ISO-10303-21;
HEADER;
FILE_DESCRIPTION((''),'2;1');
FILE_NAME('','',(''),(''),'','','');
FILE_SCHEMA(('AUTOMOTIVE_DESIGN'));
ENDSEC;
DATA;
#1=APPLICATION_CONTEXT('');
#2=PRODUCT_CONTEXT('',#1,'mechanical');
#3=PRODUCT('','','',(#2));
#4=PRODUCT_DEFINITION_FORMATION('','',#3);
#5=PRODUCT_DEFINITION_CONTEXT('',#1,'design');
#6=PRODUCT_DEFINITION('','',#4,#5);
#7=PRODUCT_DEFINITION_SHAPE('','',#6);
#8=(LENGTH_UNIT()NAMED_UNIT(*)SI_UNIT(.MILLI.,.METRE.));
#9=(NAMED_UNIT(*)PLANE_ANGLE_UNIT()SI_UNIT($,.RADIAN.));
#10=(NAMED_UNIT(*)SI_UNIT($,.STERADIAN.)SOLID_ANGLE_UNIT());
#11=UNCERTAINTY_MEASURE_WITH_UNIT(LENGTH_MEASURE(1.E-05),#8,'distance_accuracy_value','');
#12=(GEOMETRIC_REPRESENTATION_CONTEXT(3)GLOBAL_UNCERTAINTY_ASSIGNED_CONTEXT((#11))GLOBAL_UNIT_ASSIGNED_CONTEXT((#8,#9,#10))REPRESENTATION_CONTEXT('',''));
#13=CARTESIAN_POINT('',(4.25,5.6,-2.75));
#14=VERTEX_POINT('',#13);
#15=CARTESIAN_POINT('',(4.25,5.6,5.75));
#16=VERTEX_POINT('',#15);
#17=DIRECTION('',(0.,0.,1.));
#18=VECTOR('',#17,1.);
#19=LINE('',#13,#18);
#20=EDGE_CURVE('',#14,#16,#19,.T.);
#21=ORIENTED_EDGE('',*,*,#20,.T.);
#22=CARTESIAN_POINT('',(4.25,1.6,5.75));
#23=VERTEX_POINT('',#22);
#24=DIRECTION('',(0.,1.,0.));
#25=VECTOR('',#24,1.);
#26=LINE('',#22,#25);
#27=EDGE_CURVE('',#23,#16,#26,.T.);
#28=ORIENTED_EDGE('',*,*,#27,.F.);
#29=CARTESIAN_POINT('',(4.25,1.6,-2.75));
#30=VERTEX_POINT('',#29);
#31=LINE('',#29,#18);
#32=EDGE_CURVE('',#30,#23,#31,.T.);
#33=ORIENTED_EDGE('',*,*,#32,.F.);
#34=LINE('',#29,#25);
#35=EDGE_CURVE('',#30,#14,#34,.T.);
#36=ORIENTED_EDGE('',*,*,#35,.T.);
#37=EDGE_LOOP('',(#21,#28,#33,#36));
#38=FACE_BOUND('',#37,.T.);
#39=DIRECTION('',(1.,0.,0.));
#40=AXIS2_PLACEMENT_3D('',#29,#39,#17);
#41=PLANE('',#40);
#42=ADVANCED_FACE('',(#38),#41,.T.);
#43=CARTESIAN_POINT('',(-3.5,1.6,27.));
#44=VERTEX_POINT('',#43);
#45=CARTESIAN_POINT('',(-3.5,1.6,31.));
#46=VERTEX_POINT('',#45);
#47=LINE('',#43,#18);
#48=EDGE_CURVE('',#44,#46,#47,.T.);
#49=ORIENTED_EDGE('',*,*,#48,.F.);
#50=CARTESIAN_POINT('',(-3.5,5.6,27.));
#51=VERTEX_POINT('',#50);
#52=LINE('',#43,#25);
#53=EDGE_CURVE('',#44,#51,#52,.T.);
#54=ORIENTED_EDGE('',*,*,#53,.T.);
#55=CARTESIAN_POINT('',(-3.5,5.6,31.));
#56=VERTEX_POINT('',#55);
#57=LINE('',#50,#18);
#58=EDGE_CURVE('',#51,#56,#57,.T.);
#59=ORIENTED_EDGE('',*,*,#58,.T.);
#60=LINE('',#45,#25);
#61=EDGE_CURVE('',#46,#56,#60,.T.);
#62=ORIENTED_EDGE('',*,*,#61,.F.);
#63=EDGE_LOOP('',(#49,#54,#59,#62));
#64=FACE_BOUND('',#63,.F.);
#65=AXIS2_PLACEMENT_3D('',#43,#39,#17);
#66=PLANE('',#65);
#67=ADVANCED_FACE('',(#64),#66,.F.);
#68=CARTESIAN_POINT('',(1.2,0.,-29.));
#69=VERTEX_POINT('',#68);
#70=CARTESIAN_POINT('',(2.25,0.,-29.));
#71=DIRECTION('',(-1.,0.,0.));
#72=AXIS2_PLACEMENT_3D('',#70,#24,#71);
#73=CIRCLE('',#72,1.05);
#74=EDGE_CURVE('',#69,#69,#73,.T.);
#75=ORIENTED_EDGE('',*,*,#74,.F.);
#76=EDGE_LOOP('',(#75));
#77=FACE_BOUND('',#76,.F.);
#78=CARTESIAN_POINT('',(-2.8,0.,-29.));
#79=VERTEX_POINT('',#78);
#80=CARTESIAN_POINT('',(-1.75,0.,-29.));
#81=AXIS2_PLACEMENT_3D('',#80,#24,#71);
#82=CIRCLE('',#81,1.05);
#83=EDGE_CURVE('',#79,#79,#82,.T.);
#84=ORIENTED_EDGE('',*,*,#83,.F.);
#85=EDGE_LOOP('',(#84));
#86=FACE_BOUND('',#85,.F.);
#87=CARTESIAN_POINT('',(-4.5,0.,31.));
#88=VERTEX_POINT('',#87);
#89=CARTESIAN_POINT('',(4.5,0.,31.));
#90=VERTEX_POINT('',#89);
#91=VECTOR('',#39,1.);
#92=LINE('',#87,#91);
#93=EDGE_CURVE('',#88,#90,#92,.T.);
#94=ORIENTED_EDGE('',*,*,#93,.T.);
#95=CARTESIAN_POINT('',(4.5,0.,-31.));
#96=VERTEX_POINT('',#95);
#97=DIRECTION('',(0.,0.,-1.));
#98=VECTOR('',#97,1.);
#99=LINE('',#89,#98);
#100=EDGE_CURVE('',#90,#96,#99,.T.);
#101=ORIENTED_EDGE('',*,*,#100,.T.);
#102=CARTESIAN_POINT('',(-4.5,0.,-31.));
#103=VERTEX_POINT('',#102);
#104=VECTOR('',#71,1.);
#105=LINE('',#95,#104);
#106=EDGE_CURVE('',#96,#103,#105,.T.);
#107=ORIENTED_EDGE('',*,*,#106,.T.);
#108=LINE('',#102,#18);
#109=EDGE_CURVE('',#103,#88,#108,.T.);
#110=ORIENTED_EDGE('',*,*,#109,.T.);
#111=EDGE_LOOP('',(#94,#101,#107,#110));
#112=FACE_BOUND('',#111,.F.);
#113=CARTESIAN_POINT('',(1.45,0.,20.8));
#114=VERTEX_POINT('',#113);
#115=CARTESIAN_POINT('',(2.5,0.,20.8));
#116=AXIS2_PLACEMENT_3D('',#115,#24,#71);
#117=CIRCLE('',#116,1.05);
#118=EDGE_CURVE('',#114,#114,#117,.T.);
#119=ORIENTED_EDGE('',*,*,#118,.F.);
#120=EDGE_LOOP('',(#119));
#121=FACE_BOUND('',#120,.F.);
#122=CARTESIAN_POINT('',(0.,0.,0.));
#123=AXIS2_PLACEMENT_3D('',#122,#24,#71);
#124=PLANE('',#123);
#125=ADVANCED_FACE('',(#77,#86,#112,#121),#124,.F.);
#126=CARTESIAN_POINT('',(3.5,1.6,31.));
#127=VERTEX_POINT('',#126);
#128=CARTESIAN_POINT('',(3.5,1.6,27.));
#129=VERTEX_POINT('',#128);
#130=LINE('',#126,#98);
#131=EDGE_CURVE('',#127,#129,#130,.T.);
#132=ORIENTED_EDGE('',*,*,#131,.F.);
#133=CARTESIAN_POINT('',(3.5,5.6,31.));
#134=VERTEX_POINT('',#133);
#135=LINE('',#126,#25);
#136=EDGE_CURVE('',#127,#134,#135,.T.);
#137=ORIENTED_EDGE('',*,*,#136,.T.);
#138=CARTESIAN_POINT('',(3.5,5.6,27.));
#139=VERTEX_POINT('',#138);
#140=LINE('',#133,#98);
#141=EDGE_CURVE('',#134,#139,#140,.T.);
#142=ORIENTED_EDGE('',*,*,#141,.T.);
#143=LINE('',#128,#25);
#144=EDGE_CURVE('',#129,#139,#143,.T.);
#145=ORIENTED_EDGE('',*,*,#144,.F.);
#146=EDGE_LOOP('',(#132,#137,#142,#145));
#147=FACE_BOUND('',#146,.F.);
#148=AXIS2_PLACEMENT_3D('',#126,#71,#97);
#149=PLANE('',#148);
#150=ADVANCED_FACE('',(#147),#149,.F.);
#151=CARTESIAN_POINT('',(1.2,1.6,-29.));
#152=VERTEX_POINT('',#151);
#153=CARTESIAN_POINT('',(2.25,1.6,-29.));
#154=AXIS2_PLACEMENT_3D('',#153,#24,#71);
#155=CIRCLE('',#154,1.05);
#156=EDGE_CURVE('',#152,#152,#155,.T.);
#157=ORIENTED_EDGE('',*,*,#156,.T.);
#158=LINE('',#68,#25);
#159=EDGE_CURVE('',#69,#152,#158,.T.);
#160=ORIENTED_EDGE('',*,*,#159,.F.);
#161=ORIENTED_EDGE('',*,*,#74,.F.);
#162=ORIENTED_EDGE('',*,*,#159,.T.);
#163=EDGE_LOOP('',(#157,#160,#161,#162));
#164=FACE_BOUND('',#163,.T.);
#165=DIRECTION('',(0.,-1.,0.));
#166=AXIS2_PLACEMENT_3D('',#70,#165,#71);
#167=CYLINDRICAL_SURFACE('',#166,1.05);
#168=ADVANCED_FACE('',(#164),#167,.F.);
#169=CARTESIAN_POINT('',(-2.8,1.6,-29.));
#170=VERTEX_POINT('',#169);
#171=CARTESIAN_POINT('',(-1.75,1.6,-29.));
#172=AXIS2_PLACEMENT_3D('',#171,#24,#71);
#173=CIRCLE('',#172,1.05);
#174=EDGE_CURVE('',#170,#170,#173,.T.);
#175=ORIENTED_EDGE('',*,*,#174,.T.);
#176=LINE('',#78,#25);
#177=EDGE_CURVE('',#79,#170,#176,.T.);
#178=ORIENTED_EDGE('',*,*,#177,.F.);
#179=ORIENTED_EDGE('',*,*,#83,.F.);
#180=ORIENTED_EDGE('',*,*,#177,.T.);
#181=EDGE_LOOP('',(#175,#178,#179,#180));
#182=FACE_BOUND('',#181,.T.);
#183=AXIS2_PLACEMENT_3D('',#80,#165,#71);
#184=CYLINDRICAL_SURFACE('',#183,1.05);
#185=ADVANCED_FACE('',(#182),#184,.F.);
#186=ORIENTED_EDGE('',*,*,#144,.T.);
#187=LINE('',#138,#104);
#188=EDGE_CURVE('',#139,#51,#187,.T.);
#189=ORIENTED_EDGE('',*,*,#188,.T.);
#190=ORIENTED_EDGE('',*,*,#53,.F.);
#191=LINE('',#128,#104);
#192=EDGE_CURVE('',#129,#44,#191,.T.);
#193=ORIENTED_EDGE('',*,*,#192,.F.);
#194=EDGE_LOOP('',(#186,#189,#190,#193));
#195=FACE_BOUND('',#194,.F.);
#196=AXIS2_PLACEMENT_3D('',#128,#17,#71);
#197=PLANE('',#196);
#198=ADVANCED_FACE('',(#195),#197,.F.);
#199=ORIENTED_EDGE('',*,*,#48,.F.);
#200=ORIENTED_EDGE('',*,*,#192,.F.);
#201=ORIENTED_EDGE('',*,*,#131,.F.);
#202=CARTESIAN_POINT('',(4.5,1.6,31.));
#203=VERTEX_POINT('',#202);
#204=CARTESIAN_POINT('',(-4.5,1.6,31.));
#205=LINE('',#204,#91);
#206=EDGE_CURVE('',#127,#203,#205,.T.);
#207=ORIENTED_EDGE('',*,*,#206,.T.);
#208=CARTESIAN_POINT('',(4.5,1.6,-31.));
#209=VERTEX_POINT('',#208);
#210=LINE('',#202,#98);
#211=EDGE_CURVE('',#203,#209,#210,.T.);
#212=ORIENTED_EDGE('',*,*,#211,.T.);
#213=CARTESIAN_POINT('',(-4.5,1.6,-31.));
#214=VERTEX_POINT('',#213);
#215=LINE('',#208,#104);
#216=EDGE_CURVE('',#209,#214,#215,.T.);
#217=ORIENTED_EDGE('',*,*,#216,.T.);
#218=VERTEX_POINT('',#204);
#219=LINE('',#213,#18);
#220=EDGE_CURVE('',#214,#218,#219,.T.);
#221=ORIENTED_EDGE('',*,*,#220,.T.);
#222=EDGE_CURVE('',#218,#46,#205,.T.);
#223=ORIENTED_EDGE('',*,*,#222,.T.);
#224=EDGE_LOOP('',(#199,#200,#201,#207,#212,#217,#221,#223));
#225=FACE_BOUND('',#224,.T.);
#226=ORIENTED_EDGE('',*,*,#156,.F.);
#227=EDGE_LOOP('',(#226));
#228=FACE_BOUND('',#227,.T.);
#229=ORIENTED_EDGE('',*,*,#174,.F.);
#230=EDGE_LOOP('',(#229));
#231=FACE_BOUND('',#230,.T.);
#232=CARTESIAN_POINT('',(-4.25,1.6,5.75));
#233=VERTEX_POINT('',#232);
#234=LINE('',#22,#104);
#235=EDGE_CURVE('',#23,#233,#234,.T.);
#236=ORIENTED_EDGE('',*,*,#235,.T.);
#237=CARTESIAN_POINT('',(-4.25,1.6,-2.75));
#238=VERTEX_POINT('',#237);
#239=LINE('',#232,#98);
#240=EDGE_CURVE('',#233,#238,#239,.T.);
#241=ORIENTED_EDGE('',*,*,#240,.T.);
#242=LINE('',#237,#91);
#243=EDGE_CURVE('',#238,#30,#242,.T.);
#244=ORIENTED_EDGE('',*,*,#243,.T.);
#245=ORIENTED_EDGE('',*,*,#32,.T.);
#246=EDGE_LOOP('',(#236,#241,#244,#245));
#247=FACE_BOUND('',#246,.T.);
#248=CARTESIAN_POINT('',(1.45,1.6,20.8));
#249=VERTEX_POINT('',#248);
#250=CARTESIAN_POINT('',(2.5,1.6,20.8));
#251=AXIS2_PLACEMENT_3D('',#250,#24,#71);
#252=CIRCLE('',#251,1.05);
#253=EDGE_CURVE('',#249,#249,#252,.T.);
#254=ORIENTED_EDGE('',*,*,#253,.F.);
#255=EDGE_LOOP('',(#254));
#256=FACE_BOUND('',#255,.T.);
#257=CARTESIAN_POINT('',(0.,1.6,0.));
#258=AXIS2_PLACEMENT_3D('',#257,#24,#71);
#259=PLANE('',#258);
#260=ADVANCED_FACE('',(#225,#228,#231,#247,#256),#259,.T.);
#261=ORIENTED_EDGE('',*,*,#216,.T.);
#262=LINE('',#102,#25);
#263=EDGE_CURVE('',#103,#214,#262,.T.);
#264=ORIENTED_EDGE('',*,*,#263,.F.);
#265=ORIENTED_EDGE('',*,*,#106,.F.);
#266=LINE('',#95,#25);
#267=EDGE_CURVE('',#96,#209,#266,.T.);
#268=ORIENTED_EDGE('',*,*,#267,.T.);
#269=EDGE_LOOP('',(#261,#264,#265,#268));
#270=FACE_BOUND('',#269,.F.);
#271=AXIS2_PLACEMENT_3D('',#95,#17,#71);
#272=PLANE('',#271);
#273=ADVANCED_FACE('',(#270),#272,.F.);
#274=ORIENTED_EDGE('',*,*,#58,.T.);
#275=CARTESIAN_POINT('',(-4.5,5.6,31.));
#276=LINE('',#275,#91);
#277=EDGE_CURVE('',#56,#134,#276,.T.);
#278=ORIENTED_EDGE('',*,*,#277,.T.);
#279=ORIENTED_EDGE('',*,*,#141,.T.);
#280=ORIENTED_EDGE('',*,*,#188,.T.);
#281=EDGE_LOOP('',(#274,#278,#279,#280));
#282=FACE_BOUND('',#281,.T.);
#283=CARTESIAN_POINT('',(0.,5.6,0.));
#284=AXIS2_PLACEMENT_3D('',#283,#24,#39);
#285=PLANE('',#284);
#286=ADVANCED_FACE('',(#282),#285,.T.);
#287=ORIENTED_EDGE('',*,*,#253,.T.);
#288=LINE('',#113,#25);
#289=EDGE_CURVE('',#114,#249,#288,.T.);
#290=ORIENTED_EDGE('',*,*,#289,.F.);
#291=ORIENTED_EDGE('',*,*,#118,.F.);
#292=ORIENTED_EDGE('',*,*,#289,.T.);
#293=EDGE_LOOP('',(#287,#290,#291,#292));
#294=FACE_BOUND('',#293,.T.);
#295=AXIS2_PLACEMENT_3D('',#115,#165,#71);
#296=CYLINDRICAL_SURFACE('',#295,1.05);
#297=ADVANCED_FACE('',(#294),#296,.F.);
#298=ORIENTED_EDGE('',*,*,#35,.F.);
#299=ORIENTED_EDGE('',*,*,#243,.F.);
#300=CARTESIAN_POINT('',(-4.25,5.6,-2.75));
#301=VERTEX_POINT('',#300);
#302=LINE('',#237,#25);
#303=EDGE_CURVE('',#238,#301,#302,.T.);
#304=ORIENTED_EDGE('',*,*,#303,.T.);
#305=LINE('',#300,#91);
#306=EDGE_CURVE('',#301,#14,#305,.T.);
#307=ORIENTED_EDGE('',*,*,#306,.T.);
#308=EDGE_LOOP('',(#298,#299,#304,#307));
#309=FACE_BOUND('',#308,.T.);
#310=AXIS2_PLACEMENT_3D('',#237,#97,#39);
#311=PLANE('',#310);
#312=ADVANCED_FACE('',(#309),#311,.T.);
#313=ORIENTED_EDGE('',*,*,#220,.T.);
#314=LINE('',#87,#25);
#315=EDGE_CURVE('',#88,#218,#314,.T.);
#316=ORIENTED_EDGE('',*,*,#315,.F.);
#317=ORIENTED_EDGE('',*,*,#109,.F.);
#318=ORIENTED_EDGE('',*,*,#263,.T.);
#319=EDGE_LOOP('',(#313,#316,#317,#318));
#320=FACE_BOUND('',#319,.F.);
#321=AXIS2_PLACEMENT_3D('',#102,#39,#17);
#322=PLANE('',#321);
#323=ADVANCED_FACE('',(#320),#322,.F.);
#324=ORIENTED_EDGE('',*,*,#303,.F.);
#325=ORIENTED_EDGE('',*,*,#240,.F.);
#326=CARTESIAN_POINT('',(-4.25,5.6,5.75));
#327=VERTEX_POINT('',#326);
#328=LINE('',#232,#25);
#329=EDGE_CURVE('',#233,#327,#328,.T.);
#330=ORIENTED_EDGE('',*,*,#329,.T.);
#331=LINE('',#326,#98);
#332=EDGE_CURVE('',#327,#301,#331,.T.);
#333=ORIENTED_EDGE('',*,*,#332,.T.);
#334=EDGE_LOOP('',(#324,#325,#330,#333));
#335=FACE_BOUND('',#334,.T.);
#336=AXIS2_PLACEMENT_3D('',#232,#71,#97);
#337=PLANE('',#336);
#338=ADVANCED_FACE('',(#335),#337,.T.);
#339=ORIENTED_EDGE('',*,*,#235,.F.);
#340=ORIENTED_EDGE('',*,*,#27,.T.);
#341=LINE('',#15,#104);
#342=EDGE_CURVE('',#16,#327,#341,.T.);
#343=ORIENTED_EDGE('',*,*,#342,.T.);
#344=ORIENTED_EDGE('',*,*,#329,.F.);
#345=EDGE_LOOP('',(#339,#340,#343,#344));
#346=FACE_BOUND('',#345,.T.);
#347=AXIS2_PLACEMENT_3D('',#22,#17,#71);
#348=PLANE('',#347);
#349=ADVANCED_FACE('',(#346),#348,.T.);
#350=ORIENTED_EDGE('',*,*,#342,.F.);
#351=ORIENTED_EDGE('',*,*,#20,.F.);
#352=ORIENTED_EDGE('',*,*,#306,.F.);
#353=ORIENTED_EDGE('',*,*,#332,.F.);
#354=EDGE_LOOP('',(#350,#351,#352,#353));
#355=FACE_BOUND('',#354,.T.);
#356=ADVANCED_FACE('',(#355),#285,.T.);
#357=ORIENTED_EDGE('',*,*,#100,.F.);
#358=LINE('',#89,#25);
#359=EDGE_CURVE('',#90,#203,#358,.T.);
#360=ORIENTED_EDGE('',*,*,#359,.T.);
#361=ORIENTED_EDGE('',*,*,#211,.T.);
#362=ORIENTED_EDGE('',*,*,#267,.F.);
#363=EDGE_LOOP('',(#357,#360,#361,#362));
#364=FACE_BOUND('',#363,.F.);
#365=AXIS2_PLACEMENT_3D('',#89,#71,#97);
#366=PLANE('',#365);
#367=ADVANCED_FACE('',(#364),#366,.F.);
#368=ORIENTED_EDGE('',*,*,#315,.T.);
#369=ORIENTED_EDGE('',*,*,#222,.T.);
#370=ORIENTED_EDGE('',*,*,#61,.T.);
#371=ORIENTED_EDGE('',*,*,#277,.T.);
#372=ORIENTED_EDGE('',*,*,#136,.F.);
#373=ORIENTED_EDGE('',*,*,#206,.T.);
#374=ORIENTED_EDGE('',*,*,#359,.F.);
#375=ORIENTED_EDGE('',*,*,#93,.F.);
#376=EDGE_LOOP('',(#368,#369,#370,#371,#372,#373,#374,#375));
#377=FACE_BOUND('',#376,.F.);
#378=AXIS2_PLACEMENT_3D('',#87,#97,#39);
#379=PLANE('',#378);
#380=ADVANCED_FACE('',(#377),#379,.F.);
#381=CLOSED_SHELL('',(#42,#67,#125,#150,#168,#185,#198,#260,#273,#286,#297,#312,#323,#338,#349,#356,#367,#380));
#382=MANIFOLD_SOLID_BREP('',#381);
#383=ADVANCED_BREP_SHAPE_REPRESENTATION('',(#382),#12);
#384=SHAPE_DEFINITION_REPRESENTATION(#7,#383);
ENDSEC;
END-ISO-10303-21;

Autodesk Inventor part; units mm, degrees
ref_plane "YZ Plane" through (0, 0, 0) normal (1, 0, 0) x (0, 1, 0)
ref_plane "XZ Plane" through (0, 0, 0) normal (0, 1, 0) x (-1, 0, 0)
ref_plane "XY Plane" through (0, 0, 0) normal (0, 0, 1) x (1, 0, 0)
sketch "Sketch1" plane through (0, 0, 0) normal (0, 1, 0) x (-1, 0, 0)
  line L0 (-4.5, -31) -> (4.5, -31)
  line L1 (4.5, -31) -> (4.5, 31)
  line L2 (4.5, 31) -> (-4.5, 31)
  line L3 (-4.5, 31) -> (-4.5, -31)
  line L4 (-4.5, -31) -> (4.5, 31) construction
  line L5 (4.5, -31) -> (-4.5, 31) construction
  circle A0 centre (-2.5, 20.8) radius 1.05
  circle A1 centre (-2.25, -29) radius 1.05
  circle A2 centre (1.75, -29) radius 1.05
  point P0 (0, 0)
  dimension "d0" = 62
  dimension "d1" = 9
  dimension "d2" = 2.1
  dimension "d3" = 2.75
  dimension "d4" = 4
  dimension "d5" = 2
  dimension "d6" = 49.8
  dimension "d7" = 2
extrude "Extrusion1" add sketch "Sketch1" along normal blind 1.6
sketch "Sketch2" plane through (0, 1.6, 0) normal (0, 1, 0) x (1, 0, 0)
  line L0 (-4.5, 31) -> (-4.5, -31) projected
  line L1 (-4.5, -31) -> (4.5, -31) projected
  line L2 (4.5, -31) -> (4.5, 31) projected
  line L3 (4.5, 31) -> (-4.5, 31) projected
  circle A0 centre (2.5, -20.8) radius 1.05 projected
  circle A1 centre (2.25, 29) radius 1.05 projected
  circle A2 centre (-1.75, 29) radius 1.05 projected
  line L4 (4.25, -5.75) -> (-4.25, -5.75)
  line L5 (-4.25, -5.75) -> (-4.25, 2.75)
  line L6 (-4.25, 2.75) -> (4.25, 2.75)
  line L7 (4.25, 2.75) -> (4.25, -5.75)
  line L8 (4.25, -5.75) -> (-4.25, 2.75) construction
  line L9 (-4.25, -5.75) -> (4.25, 2.75) construction
  line L10 (-4.5, -31) -> (4.5, -31) projected
  line L11 (-3.5, -31) -> (3.5, -31)
  line L12 (3.5, -31) -> (3.5, -27)
  line L13 (3.5, -27) -> (-3.5, -27)
  line L14 (-3.5, -27) -> (-3.5, -31)
  point P0 (0, 0)
  point P1 (0, -1.5)
  point P2 (-3.5, -29)
  dimension "d10" = 8.5
  dimension "d11" = 29.5
  dimension "d12" = 1
  dimension "d13" = 1
  dimension "d14" = 4
extrude "Extrusion2" add sketch "Sketch2" along normal blind 4 contours L14 L13 L12 L1 | L4 L5 L6 L7
equation "\"d13\" = d12"
properties part number "Waveshare OV5640" material "Aluminum 6061"
